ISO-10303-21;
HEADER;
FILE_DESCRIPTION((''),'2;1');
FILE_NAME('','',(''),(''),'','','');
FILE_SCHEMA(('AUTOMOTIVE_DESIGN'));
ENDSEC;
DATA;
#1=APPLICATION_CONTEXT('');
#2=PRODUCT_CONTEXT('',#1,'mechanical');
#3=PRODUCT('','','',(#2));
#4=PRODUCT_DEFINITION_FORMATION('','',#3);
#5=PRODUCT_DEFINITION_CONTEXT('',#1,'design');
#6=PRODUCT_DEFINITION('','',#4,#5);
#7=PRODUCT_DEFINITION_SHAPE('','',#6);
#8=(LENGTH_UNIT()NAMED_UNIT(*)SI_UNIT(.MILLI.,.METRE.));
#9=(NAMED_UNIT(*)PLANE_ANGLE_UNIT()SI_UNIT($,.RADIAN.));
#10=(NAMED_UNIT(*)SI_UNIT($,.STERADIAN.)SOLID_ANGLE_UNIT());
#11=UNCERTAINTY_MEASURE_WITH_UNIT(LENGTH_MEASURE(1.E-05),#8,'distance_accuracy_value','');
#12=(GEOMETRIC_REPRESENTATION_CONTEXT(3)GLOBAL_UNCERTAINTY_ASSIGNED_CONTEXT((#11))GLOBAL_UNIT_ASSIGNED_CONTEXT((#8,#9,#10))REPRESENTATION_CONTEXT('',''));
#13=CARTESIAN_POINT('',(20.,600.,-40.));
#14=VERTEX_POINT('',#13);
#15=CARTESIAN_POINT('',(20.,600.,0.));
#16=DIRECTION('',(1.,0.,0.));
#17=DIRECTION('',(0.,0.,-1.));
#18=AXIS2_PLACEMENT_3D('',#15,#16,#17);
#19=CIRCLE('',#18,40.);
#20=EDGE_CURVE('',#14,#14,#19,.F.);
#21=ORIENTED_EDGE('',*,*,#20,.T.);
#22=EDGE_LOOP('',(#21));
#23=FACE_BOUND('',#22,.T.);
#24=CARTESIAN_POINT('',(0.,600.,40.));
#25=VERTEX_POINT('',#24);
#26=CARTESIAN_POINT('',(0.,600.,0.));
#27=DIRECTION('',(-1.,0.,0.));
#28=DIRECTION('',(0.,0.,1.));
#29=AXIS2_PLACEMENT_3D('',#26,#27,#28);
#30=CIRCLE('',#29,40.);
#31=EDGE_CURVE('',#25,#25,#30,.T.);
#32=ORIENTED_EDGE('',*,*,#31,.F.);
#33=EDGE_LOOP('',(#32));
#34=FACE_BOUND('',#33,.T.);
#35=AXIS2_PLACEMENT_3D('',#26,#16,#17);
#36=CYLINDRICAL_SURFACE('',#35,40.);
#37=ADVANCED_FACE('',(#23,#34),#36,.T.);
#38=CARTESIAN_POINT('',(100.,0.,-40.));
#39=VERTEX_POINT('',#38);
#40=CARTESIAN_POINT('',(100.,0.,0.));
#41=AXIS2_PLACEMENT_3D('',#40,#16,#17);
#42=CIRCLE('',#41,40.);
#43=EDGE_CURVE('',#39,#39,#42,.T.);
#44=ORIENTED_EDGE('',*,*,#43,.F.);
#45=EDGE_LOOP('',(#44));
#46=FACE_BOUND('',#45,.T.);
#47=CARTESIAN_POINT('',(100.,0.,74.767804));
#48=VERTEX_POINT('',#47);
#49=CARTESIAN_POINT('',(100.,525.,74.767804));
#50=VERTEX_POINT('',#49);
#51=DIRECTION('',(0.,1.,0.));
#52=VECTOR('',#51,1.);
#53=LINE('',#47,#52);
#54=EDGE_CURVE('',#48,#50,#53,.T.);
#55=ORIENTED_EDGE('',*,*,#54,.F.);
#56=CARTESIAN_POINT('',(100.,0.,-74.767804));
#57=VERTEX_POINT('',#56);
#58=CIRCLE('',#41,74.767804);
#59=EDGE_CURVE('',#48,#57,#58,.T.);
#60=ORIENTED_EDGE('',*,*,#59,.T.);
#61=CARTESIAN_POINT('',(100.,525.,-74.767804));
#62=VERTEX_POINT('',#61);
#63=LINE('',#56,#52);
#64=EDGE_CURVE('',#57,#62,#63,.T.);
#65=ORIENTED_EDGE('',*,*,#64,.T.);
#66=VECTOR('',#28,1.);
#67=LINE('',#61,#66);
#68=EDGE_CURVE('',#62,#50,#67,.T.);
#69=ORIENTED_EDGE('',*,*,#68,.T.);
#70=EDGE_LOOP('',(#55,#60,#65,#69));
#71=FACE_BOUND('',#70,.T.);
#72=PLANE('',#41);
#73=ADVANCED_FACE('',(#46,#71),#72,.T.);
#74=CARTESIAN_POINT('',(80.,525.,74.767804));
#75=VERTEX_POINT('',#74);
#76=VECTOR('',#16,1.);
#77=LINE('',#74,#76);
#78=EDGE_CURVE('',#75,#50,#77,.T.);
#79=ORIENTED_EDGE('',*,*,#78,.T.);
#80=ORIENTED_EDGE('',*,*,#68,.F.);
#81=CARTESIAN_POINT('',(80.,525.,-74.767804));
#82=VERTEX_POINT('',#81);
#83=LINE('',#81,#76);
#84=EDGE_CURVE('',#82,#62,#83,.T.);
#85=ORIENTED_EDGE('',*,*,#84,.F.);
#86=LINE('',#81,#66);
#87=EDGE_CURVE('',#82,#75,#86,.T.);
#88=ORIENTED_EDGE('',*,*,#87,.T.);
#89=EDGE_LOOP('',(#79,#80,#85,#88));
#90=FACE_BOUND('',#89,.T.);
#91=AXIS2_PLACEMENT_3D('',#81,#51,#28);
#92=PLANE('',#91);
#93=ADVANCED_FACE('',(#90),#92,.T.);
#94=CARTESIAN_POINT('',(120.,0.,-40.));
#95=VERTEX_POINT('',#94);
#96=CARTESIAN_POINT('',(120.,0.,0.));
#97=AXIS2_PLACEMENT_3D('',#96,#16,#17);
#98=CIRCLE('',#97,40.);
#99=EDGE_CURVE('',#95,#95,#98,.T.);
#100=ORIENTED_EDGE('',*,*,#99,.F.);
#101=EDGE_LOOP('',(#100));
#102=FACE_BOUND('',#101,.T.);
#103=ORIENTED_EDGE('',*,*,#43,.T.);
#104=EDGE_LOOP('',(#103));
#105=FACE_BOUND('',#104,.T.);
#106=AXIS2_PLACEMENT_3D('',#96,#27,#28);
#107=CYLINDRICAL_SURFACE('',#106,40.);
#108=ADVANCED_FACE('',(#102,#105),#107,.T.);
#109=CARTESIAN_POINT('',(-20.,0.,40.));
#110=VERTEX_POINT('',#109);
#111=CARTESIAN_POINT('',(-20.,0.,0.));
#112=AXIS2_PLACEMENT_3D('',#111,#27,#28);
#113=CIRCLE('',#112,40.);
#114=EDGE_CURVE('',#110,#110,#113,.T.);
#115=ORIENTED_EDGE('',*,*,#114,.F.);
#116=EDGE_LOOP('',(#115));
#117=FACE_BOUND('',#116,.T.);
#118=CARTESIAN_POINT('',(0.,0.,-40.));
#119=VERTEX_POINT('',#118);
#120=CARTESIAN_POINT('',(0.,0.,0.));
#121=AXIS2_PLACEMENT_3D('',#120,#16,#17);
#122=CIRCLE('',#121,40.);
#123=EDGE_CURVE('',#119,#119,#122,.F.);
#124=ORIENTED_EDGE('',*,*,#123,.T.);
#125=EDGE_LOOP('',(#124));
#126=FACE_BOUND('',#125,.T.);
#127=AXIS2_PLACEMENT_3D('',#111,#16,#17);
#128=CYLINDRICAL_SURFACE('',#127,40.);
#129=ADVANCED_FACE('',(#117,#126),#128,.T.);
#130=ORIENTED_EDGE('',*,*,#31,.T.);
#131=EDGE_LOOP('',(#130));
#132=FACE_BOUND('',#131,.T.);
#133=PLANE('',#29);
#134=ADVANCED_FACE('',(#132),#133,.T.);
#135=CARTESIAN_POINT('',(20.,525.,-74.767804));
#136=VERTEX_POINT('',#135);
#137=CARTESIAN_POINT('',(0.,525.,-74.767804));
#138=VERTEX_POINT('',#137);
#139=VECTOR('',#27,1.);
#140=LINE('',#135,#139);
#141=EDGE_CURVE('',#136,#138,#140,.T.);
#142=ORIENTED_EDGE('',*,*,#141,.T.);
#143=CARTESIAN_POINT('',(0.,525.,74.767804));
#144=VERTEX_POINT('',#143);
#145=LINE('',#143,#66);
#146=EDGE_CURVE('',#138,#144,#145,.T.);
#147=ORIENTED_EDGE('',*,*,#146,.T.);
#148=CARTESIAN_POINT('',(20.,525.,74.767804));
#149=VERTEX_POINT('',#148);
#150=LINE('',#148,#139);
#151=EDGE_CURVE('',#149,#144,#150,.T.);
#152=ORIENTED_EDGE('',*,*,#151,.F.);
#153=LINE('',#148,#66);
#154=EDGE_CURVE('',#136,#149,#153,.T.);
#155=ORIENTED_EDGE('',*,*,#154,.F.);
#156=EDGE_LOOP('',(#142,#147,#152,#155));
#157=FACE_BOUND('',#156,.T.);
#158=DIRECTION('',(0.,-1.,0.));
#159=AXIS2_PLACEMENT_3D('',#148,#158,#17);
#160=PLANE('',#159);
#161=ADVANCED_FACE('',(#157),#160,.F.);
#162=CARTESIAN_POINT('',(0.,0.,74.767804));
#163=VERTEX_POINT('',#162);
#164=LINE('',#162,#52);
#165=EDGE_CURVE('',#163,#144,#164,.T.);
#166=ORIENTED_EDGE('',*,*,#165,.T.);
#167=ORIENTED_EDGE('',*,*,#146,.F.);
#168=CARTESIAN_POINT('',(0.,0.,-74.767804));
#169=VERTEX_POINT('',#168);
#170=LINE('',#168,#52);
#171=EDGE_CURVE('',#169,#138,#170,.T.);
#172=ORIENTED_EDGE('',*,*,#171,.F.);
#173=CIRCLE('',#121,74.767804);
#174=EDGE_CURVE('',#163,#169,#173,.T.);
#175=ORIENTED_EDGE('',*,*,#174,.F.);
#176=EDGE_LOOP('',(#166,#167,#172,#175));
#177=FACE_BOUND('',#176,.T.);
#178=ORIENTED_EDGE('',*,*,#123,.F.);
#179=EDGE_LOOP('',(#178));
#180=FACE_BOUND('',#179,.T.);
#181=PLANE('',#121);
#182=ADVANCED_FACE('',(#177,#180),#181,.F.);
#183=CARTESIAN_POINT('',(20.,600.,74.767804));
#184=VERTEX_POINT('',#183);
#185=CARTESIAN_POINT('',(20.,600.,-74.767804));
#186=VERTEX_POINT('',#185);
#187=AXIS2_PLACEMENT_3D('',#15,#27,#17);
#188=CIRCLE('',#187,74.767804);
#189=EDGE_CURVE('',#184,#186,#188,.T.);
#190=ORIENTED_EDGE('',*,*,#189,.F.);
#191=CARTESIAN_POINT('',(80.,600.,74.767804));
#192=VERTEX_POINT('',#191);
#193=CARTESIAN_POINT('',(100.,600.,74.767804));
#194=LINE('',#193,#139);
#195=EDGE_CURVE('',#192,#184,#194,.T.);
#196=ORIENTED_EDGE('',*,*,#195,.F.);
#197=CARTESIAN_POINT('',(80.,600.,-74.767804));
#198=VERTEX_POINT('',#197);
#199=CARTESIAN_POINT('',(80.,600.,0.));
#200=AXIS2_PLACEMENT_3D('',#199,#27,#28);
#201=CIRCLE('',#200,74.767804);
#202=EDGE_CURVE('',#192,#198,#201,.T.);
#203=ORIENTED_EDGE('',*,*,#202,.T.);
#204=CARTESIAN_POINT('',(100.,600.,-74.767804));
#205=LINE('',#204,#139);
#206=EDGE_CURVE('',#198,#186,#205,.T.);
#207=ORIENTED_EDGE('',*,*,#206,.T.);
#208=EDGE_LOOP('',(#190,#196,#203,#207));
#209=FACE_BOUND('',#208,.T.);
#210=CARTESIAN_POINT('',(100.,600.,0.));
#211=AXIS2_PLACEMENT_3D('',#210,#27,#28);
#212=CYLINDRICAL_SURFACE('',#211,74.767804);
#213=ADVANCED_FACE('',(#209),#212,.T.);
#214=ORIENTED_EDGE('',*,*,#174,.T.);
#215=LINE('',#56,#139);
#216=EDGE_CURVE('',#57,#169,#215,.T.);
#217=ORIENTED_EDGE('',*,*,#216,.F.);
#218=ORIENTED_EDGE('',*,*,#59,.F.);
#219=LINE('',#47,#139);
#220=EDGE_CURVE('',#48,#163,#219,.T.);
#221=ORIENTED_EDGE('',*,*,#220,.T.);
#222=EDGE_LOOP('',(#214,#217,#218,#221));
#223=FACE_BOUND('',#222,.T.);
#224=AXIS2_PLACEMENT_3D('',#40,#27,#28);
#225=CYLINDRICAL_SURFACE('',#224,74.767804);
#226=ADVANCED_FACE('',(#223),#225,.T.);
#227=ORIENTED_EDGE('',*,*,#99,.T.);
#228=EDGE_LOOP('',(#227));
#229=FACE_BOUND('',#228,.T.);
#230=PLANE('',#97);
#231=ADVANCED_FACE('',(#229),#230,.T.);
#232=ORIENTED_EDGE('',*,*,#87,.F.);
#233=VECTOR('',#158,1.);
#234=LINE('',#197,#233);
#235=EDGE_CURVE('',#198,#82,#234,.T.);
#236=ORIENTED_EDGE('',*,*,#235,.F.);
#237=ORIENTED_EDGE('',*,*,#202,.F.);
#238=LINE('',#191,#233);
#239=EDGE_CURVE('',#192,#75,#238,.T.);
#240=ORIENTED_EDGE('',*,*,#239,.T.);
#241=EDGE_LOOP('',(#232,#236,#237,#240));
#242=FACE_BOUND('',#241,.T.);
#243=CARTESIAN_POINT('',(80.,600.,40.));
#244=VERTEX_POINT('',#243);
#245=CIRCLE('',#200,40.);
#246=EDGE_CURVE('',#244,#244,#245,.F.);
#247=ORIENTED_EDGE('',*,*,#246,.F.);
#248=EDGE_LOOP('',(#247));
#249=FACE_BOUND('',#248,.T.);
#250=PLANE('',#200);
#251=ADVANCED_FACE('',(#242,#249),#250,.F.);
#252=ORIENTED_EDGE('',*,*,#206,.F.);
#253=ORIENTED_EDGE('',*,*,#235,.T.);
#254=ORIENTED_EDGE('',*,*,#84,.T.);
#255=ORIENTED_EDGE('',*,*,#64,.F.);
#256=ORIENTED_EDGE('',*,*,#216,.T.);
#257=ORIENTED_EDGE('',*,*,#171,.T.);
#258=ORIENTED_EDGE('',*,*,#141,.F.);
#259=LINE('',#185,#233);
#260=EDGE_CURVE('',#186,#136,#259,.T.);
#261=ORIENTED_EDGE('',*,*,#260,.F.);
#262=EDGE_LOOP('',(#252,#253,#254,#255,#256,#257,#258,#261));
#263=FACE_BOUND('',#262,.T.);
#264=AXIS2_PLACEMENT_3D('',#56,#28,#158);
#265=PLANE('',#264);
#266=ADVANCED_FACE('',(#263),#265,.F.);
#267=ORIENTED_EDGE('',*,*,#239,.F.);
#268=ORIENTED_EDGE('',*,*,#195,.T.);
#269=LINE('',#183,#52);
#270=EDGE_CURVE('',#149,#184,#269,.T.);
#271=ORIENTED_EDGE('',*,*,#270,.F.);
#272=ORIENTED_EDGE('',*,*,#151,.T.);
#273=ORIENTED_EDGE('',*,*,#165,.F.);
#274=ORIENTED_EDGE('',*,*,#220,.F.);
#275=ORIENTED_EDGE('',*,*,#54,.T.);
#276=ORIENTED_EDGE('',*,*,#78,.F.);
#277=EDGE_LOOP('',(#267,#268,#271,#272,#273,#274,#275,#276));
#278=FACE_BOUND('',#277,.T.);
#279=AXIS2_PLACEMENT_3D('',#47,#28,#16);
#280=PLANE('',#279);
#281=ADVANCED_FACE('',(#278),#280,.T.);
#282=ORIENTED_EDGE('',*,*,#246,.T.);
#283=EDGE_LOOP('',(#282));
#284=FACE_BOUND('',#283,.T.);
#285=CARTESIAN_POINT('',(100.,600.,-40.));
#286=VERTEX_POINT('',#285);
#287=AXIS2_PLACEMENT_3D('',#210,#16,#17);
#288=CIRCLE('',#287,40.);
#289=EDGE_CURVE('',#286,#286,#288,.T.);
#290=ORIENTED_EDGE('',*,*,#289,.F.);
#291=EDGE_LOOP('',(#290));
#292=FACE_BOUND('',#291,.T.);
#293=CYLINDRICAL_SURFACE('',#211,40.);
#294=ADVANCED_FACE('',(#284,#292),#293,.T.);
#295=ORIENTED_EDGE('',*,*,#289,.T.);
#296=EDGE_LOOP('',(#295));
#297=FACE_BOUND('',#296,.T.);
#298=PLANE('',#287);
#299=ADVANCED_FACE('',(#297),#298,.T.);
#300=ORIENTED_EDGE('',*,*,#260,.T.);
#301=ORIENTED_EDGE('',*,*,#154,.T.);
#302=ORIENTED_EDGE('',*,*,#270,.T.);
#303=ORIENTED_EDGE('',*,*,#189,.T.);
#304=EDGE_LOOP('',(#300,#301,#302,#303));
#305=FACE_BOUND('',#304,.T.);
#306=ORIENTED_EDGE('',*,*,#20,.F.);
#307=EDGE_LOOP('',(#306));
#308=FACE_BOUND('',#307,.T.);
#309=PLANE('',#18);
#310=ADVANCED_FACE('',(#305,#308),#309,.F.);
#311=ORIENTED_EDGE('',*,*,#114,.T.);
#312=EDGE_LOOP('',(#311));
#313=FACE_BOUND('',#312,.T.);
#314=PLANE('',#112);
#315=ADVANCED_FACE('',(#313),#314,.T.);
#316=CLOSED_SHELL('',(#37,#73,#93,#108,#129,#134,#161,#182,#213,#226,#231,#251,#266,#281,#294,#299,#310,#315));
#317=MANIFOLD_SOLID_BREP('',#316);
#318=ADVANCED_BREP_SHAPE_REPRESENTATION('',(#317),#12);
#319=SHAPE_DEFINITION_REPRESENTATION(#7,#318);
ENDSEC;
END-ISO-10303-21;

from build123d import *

# Parameters (mm, degrees)
BOSS_EXTRUDE1_DEPTH = 100
CUT_EXTRUDE2_DEPTH  = 20
CUT_EXTRUDE3_START  = -20
CUT_EXTRUDE3_DEPTH  = 20
SKETCH9_R           = 40
BOSS_EXTRUDE2_DEPTH = 20
BOSS_EXTRUDE3_START = 20
SKETCH2_R           = 40
BOSS_EXTRUDE3_DEPTH = 20
SKETCH10_R          = 40
BOSS_EXTRUDE6_DEPTH = 20
BOSS_EXTRUDE7_START = 20
SKETCH11_R          = 40
BOSS_EXTRUDE7_DEPTH = 20


with BuildPart() as part:
    # Sketch1 → Boss-Extrude1 (new body)
    with BuildSketch(Plane(origin=(0, 0, 0), x_dir=(0, 0, -1), z_dir=(1, 0, 0))):
        with BuildLine():
            Line((-74.767803634, 0), (-74.767803634, 600))
            ThreePointArc((-74.767803634, 600), (0, 674.767803634), (74.767803634, 600))
            Line((74.767803634, 600), (74.767803634, 0))
            ThreePointArc((74.767803634, 0), (0, -74.767803634), (-74.767803634, 0))
        make_face()
    extrude(amount=BOSS_EXTRUDE1_DEPTH)

    # Sketch8 → Cut-Extrude2 (cut)
    with BuildSketch(Plane.ZY):
        with BuildLine():
            Line((-74.767803634, 600), (-74.767803634, 525))
            Line((-74.767803634, 525), (74.767803634, 525))
            Line((74.767803634, 525), (74.767803634, 600))
            ThreePointArc((74.767803634, 600), (0, 674.767803634), (-74.767803634, 600))
        make_face()
    extrude(amount=-CUT_EXTRUDE2_DEPTH, mode=Mode.SUBTRACT)

    # Sketch7 → Cut-Extrude3 (cut)
    with BuildSketch(Plane(origin=(100, 0, 0), x_dir=(0, 0, -1), z_dir=(1, 0, 0)).offset(CUT_EXTRUDE3_START)):
        with BuildLine():
            Line((-74.767803634, 600), (-74.767803634, 525))
            Line((-74.767803634, 525), (74.767803634, 525))
            Line((74.767803634, 525), (74.767803634, 600))
            ThreePointArc((74.767803634, 600), (0, 674.767803634), (-74.767803634, 600))
        make_face()
    extrude(amount=CUT_EXTRUDE3_DEPTH, mode=Mode.SUBTRACT)

    # Sketch9 → Boss-Extrude2 (add)
    with BuildSketch(Plane.ZY):
        with Locations(Location((0, 0, 0), (0, 0, 180))):
            Circle(SKETCH9_R)
    extrude(amount=BOSS_EXTRUDE2_DEPTH)

    # Sketch2 → Boss-Extrude3 (add)
    with BuildSketch(Plane(origin=(100, 0, 0), x_dir=(0, 0, -1), z_dir=(1, 0, 0)).offset(BOSS_EXTRUDE3_START)):
        Circle(SKETCH2_R)
    extrude(amount=-BOSS_EXTRUDE3_DEPTH)

    # Sketch10 → Boss-Extrude6 (add)
    with BuildSketch(Plane(origin=(80, 0, 0), x_dir=(0, 0, -1), z_dir=(1, 0, 0))):
        with Locations(Location((0, 600, 0), (0, 0, 180))):
            Circle(SKETCH10_R)
    extrude(amount=BOSS_EXTRUDE6_DEPTH)

    # Sketch11 → Boss-Extrude7 (add)
    with BuildSketch(Plane.ZY.offset(-20).offset(BOSS_EXTRUDE7_START)):
        with Locations((0, 600)):
            Circle(SKETCH11_R)
    extrude(amount=-BOSS_EXTRUDE7_DEPTH)


solid = part.part
